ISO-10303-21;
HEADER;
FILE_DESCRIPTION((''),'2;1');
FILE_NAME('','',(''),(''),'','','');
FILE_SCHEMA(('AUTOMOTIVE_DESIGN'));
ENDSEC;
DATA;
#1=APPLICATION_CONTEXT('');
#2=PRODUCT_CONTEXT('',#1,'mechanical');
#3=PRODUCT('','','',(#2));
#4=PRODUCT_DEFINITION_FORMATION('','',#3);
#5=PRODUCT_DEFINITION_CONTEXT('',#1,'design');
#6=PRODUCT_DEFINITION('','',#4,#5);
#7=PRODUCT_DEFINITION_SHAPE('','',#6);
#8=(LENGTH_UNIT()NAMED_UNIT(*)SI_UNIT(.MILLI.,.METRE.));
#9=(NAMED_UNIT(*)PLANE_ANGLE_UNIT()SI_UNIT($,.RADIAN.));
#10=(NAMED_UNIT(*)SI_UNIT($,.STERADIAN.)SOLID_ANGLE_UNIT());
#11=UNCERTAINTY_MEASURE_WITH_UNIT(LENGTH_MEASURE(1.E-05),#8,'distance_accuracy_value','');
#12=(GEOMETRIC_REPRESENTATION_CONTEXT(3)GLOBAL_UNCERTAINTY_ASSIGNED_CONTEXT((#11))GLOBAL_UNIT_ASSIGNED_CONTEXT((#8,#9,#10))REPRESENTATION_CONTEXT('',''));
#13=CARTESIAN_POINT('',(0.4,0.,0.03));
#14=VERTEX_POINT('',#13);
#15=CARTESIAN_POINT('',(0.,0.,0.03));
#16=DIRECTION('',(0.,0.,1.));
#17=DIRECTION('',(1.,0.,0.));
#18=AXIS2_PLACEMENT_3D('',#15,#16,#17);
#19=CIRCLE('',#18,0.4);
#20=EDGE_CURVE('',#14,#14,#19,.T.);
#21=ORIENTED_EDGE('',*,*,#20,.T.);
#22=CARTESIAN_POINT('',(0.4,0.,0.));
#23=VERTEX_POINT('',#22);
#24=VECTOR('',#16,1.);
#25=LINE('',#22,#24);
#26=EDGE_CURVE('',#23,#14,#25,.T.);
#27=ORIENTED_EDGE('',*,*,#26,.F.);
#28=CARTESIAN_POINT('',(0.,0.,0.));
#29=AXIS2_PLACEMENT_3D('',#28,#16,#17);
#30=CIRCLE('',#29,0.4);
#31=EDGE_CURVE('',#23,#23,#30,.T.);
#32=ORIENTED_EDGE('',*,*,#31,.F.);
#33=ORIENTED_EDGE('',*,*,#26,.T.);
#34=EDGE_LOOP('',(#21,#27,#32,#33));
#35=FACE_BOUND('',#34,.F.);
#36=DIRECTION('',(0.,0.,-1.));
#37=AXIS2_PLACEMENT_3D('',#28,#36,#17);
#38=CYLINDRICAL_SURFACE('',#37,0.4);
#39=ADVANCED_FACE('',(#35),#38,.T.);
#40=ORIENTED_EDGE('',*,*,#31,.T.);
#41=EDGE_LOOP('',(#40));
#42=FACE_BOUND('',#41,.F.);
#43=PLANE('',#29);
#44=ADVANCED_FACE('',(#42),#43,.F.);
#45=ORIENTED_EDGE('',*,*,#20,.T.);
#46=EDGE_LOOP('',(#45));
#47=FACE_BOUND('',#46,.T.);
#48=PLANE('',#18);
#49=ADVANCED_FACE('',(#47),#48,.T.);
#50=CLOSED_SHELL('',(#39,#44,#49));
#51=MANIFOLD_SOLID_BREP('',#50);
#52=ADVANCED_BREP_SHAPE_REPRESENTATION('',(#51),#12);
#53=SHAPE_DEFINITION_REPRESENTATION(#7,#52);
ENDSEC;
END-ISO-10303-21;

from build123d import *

# Parameters (mm, degrees)
CYLINDER_R     = 0.4
CYLINDER_DEPTH = 0.03


with BuildPart() as part:
    # Cylinder → Cylinder (new body)
    with BuildSketch(Plane.XY):
        Circle(CYLINDER_R)
    extrude(amount=CYLINDER_DEPTH)


solid = part.part
